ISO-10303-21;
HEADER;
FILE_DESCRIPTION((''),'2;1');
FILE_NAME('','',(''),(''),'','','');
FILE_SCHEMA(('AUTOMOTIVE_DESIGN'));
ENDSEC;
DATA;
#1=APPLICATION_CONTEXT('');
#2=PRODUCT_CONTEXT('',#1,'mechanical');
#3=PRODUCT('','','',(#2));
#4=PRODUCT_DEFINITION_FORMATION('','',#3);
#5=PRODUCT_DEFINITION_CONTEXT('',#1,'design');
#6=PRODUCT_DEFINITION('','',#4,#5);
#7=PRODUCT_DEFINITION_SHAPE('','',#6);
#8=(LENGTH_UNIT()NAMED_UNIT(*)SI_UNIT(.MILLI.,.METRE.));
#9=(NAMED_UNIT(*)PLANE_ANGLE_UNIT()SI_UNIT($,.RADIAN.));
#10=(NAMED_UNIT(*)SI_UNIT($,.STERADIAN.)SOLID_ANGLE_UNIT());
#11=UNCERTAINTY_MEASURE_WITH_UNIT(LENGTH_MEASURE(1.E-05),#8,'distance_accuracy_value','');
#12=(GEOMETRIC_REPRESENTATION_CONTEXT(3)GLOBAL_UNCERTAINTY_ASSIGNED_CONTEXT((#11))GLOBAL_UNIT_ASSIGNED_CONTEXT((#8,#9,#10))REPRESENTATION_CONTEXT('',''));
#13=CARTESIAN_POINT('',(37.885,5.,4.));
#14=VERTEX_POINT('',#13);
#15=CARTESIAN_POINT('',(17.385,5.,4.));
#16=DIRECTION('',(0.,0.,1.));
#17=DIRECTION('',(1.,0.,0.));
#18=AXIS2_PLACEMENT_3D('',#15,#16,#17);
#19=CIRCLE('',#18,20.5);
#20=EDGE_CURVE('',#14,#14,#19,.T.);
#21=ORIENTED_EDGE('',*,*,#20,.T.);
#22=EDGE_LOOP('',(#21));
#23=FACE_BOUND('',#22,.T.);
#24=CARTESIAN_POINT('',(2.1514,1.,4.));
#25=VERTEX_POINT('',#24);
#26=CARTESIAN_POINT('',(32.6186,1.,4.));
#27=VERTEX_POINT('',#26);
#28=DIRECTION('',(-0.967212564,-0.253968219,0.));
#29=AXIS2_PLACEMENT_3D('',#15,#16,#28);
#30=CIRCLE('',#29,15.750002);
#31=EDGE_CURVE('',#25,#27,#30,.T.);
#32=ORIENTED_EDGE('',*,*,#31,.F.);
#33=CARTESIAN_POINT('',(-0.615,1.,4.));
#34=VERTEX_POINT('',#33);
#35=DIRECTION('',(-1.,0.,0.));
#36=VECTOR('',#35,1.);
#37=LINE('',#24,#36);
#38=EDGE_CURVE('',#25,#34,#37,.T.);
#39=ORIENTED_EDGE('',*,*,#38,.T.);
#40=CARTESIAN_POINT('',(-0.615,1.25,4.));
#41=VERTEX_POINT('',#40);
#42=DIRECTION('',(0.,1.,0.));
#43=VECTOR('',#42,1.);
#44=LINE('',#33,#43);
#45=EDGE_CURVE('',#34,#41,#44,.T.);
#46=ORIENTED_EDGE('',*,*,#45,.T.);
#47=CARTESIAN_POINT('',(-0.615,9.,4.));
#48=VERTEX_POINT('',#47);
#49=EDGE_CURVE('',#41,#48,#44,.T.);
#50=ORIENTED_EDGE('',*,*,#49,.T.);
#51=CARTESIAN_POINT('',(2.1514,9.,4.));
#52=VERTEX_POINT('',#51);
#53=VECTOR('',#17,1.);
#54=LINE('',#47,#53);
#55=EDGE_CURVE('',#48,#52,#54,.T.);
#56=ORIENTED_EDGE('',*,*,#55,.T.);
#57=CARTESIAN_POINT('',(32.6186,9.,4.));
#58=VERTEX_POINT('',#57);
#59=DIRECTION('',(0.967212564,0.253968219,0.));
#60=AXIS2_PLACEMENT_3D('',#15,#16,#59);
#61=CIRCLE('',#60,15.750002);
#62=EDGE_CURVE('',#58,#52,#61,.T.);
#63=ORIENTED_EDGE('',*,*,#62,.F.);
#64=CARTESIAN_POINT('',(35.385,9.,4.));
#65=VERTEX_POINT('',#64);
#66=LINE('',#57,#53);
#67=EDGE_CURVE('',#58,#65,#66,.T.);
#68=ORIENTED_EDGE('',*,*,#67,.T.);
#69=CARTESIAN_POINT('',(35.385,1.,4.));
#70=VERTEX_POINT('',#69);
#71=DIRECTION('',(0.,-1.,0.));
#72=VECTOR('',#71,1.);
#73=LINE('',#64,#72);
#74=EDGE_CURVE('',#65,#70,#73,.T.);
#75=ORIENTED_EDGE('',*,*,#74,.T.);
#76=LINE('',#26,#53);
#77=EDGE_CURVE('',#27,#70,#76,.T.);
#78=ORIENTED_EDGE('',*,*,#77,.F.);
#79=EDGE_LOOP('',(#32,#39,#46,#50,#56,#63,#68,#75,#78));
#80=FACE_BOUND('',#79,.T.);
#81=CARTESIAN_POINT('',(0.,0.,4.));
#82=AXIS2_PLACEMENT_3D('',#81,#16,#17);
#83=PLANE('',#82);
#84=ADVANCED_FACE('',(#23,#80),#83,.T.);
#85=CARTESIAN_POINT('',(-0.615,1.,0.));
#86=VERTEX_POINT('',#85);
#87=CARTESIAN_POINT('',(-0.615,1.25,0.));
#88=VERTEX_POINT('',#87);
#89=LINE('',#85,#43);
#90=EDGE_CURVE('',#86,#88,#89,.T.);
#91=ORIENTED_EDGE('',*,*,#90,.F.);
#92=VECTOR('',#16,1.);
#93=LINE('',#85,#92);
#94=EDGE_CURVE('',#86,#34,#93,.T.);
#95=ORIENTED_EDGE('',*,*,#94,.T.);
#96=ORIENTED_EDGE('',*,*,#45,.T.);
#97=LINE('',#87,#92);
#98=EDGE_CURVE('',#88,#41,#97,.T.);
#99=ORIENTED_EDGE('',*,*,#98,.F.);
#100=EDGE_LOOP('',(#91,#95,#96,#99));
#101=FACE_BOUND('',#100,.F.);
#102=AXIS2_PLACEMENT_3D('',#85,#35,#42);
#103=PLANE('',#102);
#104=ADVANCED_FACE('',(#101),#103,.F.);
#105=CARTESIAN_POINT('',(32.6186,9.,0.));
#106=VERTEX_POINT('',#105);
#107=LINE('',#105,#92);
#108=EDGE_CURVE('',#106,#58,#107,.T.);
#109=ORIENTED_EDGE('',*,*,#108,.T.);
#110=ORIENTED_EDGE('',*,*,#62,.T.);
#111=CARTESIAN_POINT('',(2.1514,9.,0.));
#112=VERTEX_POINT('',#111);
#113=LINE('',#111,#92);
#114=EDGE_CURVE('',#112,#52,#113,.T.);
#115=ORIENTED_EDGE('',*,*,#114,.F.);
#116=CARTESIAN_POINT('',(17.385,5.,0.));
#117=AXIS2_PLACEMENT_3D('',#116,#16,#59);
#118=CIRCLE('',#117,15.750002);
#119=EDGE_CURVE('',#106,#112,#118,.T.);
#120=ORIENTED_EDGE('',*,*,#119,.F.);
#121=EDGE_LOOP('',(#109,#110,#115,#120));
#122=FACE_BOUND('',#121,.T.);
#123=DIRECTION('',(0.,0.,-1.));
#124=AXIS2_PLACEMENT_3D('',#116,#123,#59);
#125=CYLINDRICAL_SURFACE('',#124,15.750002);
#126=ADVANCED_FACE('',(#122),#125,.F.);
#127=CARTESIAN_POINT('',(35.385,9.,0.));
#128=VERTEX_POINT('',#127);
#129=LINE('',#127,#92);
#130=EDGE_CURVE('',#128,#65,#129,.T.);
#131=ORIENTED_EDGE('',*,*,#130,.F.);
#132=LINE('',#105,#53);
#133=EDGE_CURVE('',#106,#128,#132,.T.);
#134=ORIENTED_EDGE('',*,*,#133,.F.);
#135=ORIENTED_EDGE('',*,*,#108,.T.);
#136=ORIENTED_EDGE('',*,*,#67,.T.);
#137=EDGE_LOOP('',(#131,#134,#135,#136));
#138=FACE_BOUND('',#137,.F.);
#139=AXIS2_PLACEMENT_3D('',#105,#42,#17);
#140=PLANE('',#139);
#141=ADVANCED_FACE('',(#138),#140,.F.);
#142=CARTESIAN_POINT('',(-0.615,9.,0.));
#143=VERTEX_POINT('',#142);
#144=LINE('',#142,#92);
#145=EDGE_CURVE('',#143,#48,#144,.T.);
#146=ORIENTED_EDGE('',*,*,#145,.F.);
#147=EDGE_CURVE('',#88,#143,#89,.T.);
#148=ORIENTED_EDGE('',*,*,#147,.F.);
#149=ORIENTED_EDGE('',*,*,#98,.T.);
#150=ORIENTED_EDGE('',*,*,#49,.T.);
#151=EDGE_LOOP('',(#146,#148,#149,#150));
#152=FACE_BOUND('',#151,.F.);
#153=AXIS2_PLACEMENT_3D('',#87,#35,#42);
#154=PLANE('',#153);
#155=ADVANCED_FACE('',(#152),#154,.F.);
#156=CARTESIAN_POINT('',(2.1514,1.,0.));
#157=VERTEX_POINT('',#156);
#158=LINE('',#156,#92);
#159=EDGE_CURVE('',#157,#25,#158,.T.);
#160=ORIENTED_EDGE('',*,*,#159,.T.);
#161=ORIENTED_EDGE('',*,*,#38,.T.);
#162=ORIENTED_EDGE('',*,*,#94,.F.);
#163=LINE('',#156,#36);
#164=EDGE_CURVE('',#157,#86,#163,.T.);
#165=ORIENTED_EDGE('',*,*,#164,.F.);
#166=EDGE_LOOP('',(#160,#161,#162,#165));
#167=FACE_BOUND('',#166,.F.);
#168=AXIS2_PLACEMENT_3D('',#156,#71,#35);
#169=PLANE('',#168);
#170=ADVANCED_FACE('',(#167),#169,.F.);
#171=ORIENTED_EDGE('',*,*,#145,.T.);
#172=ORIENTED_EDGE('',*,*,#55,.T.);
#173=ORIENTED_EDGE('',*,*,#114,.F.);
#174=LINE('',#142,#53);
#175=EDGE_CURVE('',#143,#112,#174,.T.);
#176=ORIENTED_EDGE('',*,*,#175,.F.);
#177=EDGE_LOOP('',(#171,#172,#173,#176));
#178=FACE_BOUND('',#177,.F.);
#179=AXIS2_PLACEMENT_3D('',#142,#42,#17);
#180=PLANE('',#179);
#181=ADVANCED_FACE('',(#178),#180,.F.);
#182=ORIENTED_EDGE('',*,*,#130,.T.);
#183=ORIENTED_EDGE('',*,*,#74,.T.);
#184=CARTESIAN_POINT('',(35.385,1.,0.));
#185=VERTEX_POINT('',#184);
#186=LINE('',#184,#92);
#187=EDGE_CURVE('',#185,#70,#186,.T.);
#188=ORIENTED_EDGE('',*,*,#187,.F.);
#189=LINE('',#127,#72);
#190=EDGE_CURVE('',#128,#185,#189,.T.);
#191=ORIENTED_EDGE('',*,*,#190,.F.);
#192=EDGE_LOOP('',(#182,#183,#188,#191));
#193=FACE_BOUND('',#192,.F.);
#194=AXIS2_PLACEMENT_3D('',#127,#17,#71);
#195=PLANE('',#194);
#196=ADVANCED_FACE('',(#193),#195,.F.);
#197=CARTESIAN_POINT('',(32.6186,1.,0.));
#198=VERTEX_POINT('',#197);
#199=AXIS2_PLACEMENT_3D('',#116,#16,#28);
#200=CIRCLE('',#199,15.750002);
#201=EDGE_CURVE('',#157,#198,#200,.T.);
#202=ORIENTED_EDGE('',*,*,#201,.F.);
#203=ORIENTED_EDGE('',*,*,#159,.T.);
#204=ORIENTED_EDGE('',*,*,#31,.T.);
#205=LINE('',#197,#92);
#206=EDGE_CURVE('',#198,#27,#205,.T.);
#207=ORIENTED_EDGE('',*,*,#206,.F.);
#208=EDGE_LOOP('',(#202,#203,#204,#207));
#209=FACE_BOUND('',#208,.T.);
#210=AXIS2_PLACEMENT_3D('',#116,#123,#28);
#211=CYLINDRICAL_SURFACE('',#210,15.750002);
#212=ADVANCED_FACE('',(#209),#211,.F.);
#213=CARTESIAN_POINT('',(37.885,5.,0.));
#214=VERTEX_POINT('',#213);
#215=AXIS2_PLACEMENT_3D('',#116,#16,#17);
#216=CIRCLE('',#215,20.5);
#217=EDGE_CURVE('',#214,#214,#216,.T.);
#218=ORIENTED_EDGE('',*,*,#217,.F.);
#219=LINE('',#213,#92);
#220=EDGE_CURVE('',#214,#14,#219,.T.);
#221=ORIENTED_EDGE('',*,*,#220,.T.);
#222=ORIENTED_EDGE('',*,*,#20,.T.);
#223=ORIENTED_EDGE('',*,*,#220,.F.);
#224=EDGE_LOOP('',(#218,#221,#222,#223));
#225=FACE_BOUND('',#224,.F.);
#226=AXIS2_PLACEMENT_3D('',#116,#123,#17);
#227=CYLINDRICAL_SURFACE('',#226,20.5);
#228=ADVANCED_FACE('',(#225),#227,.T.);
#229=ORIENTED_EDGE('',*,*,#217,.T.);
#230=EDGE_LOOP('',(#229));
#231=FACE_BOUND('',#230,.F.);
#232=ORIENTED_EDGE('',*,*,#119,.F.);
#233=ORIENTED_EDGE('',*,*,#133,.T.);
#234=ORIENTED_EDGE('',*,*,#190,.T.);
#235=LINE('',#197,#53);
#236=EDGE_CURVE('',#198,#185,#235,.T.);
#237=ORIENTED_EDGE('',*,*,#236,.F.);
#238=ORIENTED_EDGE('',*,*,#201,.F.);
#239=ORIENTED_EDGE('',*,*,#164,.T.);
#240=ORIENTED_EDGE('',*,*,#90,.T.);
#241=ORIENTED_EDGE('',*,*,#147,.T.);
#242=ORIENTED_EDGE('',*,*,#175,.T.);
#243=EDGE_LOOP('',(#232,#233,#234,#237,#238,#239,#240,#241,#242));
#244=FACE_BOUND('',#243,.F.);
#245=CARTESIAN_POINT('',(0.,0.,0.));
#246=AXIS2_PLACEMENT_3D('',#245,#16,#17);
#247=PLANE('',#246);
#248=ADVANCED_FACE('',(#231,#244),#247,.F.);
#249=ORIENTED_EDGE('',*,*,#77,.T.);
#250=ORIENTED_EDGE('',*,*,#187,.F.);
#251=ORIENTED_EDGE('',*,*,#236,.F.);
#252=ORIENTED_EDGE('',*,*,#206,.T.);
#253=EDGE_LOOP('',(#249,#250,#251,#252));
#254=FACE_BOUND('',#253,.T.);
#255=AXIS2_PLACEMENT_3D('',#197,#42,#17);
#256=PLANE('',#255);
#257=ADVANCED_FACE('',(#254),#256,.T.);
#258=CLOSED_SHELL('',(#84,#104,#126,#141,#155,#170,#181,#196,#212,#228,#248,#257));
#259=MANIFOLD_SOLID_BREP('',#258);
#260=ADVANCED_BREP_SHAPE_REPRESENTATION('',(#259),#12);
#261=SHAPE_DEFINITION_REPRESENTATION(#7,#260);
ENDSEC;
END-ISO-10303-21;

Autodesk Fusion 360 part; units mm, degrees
sketch "Sketch1" plane through (0, 0, 0) normal (0, 0, 1) x (1, 0, 0)
  circle A0 centre (17.385, 5) radius 20.5
  line L0 (0, 8.75) -> (0, 8.6219)
  line L1 (-0.615, 1.25) -> (0, 1.3781) construction
  line L2 (0, 8.6219) -> (0, 8.75)
  line L3 (0, 1.25) -> (-0.615, 1.25)
  line L4 (-0.615, 1) -> (-0.615, 9)
  line L5 (35.385, 9) -> (35.385, 1)
  line L6 (-0.615, 9) -> (2.1514, 9)
  line L7 (32.6186, 9) -> (35.385, 9)
  line L8 (2.1514, 1) -> (-0.615, 1)
  arc A1 (2.1514, 1) -> (32.6186, 1) centre (17.385, 5) ccw
  arc A2 (32.6186, 9) -> (2.1514, 9) centre (17.385, 5) ccw
  line L9 (32.6186, 1) -> (35.385, 1)
  point P0 (17.385, 5)
  point P1 (17.385, 5)
  point P2 (17.385, 5)
  dimension "d4" = 41
  dimension "d11" = 36
  dimension "d12" = 8
  dimension "d13" = 31.5
extrude "Extrude1" add sketch "Sketch1" along normal blind 4
